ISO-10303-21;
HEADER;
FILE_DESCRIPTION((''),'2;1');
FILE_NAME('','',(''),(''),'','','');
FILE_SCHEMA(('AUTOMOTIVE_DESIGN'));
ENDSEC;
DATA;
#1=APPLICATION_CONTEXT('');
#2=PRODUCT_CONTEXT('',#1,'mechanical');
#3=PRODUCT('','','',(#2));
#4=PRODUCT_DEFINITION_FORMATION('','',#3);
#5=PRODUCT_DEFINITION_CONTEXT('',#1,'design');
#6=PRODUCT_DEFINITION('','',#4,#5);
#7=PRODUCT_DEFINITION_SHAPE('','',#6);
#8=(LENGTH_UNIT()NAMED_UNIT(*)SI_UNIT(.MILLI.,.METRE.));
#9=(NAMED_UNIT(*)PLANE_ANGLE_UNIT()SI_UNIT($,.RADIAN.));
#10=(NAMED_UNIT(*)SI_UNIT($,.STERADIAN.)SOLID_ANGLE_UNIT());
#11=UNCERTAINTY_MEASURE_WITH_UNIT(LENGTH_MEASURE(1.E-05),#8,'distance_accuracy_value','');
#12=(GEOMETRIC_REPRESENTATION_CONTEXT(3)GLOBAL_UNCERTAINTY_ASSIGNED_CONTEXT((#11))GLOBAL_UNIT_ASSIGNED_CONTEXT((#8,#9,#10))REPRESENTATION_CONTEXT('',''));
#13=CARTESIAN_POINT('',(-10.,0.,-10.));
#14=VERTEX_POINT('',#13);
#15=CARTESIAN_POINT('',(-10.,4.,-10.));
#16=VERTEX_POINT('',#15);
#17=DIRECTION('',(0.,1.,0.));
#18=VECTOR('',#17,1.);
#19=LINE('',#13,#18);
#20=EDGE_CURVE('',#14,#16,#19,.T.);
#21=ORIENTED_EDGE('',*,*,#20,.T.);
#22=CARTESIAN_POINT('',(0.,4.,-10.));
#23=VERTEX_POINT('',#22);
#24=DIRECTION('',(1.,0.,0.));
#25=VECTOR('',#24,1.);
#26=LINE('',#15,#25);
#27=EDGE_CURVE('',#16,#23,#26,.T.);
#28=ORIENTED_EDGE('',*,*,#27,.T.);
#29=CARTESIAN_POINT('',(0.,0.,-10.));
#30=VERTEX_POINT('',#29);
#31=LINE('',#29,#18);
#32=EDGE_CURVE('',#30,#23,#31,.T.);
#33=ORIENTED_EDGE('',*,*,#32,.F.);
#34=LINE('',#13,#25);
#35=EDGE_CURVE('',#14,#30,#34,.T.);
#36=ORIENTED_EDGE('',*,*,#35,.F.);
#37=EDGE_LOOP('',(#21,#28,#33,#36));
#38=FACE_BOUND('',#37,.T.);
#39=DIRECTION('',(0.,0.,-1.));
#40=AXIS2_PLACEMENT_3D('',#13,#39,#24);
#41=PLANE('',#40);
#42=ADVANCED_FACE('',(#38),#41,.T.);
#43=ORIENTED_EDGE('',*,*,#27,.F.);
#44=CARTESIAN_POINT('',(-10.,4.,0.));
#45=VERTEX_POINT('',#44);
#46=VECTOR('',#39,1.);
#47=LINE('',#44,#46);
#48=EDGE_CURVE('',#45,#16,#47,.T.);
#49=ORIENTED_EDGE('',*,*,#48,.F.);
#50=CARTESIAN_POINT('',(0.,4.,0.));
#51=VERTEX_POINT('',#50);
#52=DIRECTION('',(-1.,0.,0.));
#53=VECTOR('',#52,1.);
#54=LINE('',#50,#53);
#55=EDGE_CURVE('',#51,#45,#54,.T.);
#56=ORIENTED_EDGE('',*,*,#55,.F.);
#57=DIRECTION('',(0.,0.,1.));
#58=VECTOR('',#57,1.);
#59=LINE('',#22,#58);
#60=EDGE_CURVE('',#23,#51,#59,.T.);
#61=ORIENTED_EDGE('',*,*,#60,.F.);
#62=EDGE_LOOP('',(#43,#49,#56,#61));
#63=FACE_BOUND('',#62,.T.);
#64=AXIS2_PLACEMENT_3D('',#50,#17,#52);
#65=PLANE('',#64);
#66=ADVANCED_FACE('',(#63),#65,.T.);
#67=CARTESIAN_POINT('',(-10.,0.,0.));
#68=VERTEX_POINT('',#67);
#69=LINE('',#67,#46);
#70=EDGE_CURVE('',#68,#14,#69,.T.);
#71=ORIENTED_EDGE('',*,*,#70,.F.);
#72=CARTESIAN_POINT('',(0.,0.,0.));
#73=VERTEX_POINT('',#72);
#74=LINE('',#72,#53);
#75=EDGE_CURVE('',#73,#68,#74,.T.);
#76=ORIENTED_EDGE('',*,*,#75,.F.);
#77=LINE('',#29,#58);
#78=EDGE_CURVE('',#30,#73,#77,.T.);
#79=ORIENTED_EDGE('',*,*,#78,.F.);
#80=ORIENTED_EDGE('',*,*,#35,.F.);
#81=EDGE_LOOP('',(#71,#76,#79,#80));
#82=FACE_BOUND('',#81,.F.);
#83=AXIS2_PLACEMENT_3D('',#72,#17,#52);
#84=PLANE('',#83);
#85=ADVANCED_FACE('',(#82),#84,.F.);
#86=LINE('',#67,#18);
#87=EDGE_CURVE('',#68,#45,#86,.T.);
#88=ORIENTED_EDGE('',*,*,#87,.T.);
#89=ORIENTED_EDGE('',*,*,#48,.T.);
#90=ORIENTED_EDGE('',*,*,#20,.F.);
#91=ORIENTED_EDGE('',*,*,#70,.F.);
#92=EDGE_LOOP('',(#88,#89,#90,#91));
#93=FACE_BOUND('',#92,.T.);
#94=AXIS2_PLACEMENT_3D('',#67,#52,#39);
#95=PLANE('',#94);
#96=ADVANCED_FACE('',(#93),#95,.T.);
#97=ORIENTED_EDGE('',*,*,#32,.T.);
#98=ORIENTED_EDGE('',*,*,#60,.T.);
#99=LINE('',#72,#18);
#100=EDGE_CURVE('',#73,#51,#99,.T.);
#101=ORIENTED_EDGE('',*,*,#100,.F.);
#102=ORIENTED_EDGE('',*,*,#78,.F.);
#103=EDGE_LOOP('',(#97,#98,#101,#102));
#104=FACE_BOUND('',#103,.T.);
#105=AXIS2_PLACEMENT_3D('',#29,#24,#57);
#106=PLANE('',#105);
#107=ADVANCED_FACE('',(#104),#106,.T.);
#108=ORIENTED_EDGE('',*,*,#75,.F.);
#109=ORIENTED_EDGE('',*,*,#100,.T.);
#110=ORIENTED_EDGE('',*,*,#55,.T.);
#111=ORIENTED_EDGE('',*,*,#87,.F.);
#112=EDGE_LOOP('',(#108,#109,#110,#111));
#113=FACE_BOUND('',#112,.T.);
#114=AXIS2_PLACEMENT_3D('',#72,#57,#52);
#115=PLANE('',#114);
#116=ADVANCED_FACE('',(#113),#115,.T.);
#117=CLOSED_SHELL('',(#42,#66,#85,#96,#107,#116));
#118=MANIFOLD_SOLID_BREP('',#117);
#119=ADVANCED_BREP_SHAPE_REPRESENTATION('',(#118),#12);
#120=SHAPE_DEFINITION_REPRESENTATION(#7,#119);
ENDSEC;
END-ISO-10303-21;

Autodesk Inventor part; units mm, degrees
ref_plane "YZ Plane" through (0, 0, 0) normal (1, 0, 0) x (0, 1, 0)
ref_plane "XZ Plane" through (0, 0, 0) normal (0, 1, 0) x (-1, 0, 0)
ref_plane "XY Plane" through (0, 0, 0) normal (0, 0, 1) x (1, 0, 0)
sketch "Sketch1" plane through (0, 0, 0) normal (0, 1, 0) x (-1, 0, 0)
  line L0 (0, 0) -> (10, 0)
  line L1 (10, 0) -> (10, -10)
  line L2 (10, -10) -> (0, -10)
  line L3 (0, -10) -> (0, 0)
  dimension "d0" = 10
  dimension "d1" = 10
extrude "Extrusion1" add sketch "Sketch1" along normal blind 4
properties part number "MouldSeparator"
